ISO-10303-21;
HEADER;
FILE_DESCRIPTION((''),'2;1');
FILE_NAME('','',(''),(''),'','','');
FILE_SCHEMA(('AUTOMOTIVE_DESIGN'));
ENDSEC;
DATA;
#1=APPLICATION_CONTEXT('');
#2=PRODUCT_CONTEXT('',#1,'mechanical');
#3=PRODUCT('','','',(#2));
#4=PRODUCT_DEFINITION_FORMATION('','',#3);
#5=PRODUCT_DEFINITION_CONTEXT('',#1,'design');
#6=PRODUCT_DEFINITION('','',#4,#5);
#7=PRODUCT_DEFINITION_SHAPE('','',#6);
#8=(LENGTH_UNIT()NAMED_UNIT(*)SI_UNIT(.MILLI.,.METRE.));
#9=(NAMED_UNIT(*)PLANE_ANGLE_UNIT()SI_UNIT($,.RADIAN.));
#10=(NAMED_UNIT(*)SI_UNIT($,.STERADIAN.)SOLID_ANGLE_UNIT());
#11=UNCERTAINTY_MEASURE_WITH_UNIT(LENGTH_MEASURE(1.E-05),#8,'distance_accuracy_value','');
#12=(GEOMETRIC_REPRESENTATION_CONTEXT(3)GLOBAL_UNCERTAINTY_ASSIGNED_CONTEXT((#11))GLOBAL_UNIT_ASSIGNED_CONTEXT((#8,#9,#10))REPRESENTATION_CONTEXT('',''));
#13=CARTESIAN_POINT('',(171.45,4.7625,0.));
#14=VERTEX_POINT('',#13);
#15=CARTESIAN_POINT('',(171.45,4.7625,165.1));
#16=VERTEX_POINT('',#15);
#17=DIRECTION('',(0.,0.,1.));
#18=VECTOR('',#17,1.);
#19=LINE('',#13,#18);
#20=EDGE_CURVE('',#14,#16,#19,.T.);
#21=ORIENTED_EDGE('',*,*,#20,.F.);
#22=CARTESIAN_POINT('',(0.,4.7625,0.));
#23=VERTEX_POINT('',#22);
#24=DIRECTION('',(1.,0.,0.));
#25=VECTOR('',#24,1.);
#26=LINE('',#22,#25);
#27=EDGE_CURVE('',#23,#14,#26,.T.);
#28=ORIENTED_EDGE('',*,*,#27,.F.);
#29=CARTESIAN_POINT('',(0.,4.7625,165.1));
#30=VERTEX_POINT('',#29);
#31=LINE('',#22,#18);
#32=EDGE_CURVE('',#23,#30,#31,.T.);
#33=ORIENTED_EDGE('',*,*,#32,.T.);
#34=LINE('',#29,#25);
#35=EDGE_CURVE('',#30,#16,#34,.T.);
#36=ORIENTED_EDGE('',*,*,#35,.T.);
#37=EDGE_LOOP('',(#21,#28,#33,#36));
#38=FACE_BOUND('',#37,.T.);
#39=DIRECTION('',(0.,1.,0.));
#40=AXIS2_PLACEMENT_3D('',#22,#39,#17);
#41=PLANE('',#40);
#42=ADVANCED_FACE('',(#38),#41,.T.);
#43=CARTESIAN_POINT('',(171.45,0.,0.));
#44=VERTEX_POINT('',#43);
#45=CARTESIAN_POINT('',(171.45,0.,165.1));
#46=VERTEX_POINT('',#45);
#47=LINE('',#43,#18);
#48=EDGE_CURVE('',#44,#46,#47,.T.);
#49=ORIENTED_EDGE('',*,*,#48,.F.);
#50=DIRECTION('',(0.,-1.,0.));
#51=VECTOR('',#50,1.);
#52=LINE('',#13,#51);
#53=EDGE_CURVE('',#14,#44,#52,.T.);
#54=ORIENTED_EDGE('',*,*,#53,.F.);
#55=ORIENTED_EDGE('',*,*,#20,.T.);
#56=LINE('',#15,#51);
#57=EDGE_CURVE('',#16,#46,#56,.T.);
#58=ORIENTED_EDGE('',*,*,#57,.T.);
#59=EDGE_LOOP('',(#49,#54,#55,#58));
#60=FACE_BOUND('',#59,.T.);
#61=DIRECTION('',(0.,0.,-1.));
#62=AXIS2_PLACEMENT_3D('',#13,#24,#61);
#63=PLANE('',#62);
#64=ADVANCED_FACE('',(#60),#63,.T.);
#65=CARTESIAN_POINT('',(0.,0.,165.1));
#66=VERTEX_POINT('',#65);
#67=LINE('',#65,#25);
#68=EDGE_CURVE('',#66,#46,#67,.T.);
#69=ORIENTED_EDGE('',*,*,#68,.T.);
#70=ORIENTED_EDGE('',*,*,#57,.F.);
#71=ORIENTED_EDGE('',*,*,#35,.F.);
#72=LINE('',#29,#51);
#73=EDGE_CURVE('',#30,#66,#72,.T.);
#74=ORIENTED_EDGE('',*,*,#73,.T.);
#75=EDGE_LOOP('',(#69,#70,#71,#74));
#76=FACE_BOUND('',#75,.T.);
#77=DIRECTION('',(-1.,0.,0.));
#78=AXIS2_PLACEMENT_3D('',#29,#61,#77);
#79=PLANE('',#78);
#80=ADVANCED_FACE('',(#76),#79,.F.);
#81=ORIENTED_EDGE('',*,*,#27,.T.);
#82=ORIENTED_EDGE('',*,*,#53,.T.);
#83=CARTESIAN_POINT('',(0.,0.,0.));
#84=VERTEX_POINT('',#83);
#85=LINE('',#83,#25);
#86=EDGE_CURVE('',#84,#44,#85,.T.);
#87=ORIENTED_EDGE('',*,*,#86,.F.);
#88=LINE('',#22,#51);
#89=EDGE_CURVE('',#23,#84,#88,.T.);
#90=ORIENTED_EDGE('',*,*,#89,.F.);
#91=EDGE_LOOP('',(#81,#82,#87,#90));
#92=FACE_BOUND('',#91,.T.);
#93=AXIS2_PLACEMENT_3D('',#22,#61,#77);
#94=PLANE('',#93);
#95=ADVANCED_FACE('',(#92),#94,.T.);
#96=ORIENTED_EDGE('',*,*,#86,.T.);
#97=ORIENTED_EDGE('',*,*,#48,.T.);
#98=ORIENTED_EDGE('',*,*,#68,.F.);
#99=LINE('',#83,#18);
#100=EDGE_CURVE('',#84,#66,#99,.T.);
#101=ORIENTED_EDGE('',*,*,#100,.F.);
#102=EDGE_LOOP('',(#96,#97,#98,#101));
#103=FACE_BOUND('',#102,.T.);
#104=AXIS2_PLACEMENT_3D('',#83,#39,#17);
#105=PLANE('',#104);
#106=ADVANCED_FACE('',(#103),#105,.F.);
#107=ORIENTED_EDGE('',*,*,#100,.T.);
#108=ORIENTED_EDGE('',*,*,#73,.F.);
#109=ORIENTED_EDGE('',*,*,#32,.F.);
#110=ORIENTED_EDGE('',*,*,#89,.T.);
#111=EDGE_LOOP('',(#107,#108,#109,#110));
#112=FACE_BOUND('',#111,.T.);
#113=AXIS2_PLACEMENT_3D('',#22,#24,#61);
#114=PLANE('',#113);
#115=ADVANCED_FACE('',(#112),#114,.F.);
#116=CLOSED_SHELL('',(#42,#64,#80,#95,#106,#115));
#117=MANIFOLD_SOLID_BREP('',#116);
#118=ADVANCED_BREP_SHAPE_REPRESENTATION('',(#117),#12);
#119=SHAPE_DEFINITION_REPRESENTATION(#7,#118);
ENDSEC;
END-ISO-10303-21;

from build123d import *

# Parameters (mm, degrees)
SKETCH1_W           = 171.45
SKETCH1_H           = 165.1
BOSS_EXTRUDE1_DEPTH = 4.7625


with BuildPart() as part:
    # Sketch1 → Boss-Extrude1 (new body)
    with BuildSketch(Plane(origin=(0, 0, 0), x_dir=(1, 0, 0), z_dir=(0, 1, 0))):
        with Locations((85.725, -82.55)):
            Rectangle(SKETCH1_W, SKETCH1_H)
    extrude(amount=BOSS_EXTRUDE1_DEPTH)


solid = part.part
